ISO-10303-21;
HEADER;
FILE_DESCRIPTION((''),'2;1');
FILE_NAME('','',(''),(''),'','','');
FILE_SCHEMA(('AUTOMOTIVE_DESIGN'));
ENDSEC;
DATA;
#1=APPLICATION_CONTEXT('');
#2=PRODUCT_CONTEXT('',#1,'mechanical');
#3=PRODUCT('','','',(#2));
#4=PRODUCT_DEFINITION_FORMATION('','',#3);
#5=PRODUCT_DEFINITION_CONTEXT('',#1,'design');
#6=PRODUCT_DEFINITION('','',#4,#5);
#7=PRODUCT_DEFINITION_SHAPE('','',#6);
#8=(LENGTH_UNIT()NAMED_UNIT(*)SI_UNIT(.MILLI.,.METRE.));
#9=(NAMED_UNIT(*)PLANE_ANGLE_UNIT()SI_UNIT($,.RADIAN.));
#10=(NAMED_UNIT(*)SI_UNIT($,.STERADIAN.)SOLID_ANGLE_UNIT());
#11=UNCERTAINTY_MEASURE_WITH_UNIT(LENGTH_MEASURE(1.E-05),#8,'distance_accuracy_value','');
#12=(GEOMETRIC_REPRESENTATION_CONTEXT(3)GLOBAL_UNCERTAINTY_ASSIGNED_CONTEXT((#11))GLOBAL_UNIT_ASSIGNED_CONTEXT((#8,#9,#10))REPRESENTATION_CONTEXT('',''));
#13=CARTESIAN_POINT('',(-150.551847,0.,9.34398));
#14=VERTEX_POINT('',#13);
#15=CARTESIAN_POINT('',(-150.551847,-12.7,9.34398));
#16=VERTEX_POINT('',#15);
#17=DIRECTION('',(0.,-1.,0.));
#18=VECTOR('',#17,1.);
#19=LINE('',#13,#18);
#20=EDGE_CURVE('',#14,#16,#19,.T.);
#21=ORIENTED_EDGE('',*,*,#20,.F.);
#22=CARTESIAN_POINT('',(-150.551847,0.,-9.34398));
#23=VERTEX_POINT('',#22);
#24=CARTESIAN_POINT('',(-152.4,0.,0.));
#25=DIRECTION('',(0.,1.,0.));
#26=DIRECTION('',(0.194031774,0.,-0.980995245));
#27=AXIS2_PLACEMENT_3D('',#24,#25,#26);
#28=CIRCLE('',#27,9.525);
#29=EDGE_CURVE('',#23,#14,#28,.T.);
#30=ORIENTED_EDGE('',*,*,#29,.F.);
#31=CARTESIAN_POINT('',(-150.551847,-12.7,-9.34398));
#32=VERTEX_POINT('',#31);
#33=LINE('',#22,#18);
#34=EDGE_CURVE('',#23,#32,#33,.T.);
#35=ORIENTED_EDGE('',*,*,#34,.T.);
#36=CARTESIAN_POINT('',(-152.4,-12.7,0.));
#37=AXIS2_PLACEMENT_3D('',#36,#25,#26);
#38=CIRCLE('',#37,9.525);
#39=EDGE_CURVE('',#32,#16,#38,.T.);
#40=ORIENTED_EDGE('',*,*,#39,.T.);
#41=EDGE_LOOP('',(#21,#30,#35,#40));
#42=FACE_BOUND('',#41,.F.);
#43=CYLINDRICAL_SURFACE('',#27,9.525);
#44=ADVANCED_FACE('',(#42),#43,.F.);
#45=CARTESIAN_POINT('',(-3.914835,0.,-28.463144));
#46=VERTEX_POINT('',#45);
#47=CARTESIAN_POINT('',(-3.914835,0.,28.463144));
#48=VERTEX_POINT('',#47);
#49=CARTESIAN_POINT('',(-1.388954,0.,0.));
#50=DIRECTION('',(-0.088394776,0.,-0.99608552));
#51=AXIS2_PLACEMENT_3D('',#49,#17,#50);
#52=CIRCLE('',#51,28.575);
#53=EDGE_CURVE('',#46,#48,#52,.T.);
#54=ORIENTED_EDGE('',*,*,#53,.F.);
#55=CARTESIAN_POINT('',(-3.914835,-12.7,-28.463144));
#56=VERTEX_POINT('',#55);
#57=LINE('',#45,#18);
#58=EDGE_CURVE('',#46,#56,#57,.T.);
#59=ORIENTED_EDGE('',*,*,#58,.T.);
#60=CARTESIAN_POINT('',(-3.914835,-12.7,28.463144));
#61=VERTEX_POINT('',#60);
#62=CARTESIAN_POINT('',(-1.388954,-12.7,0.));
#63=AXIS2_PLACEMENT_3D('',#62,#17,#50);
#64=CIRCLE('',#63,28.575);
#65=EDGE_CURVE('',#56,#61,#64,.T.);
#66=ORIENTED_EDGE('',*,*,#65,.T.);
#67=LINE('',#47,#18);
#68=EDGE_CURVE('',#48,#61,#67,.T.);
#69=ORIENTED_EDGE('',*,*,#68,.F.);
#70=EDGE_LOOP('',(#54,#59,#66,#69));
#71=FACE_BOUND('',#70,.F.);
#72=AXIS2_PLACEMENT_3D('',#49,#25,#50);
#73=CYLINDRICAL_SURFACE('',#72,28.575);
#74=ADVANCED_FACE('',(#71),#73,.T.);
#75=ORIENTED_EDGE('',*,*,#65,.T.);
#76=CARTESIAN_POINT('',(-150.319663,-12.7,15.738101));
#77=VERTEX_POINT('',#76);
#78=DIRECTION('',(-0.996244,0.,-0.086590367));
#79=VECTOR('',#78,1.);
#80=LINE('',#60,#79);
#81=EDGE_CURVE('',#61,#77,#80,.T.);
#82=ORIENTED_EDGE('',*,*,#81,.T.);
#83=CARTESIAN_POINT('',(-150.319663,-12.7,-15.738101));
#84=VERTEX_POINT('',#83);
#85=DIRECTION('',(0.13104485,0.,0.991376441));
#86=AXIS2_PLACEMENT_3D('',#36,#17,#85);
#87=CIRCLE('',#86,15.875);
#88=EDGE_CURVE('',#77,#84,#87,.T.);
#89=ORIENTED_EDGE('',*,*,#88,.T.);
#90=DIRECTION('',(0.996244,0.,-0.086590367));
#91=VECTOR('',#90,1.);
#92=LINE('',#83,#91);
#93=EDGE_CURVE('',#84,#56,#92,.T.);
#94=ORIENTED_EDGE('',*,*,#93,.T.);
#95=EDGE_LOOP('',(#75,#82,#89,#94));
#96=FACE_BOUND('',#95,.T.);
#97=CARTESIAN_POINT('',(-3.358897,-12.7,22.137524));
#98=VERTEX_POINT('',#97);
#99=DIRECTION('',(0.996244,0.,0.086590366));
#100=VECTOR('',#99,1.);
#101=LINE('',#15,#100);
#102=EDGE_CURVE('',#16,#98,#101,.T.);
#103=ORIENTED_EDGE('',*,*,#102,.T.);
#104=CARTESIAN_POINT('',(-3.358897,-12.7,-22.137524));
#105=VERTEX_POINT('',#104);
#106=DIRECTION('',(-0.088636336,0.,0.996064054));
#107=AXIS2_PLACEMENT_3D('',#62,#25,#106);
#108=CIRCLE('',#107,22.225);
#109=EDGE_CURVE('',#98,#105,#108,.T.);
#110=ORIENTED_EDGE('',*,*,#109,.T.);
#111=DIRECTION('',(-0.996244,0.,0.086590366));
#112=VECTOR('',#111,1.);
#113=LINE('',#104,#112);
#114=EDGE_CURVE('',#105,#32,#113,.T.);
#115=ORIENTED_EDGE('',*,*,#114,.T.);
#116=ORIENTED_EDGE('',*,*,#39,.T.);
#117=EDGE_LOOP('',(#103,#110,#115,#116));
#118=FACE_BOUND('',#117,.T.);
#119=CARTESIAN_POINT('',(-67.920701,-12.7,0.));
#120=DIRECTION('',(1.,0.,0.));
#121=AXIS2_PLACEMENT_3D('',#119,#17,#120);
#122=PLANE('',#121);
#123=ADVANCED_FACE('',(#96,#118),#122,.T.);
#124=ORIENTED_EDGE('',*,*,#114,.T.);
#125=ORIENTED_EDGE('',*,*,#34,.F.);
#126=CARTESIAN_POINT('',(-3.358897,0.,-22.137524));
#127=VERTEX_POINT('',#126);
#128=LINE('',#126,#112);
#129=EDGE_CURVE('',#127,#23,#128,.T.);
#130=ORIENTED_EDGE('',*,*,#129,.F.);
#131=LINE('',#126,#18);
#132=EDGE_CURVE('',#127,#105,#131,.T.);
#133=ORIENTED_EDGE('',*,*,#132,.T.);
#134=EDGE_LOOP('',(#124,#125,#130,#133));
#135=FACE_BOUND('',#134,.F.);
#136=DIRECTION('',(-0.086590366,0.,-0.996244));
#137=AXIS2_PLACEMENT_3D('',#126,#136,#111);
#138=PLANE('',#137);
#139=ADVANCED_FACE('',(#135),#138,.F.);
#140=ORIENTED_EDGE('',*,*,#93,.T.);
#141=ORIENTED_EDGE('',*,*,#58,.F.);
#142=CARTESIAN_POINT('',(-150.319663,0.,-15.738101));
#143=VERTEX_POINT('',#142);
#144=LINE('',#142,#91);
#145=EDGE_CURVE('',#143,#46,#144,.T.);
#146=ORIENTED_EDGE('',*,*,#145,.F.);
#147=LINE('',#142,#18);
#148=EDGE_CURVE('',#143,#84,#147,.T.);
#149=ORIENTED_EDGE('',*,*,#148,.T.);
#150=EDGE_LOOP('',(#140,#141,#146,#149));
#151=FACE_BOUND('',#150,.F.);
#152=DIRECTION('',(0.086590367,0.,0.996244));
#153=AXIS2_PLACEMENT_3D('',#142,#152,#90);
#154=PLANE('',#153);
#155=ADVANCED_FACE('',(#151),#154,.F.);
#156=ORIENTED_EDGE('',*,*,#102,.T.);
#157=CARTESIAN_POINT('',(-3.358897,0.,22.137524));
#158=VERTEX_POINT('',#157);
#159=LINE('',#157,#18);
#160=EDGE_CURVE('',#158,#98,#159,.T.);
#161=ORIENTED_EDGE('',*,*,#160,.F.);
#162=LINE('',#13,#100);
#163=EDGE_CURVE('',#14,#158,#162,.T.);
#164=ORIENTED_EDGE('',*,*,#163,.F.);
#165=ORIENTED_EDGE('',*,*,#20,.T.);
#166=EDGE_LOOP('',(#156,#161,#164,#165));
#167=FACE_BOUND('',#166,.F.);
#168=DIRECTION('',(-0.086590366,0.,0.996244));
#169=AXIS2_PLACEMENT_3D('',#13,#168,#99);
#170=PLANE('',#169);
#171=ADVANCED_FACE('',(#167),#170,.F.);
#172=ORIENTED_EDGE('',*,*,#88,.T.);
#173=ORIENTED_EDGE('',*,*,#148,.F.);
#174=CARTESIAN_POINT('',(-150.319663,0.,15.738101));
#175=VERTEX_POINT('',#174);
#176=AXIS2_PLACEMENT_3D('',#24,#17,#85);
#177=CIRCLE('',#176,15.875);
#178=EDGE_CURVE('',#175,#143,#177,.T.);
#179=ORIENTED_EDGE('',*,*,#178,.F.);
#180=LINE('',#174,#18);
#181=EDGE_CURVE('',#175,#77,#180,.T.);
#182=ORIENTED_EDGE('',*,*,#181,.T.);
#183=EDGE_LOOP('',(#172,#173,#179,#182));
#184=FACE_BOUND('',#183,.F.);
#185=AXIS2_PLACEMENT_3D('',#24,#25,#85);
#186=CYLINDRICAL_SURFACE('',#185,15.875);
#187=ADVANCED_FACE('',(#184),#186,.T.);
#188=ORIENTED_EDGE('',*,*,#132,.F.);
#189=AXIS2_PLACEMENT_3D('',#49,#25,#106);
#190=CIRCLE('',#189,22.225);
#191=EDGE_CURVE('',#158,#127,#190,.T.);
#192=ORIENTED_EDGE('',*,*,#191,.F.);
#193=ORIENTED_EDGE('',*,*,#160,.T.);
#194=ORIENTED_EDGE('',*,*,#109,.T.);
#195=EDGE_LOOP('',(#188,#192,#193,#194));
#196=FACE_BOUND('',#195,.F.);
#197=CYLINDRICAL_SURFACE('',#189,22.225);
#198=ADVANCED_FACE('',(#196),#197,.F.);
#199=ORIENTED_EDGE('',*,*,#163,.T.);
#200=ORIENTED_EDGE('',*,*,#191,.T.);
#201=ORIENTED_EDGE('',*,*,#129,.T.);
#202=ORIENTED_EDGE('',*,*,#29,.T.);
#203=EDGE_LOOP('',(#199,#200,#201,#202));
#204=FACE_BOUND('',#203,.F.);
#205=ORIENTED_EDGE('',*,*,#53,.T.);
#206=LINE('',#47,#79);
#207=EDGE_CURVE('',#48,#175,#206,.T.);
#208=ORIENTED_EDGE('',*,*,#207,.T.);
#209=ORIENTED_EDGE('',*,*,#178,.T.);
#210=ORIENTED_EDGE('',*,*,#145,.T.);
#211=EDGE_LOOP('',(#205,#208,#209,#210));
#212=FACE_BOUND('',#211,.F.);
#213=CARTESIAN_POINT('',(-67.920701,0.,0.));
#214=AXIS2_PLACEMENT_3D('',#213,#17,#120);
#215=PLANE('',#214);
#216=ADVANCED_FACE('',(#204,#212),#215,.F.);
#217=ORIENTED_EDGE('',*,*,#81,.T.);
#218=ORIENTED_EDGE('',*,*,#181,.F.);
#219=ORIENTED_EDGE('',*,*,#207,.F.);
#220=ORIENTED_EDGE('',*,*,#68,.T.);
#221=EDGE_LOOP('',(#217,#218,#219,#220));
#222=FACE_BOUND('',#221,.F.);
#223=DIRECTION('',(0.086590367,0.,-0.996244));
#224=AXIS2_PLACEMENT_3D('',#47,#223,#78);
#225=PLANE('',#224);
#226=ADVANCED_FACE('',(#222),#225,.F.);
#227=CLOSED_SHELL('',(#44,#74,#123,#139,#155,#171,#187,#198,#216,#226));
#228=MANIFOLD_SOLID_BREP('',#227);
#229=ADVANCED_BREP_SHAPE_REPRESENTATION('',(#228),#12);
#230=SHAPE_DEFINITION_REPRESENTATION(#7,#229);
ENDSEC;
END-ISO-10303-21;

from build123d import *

# Parameters (mm, degrees)
F1_DEPTH = 12.7


with BuildPart() as f1:
    # F0 (on Front) → F1 (new body)
    with BuildSketch(Plane.XZ):
        with BuildLine():
            Line((-150.551847, -9.34398), (-3.358897, -22.137524))
            ThreePointArc((-3.358897, -22.137524), (20.836046, 0), (-3.358897, 22.137524))
            Line((-3.358897, 22.137524), (-150.551847, 9.34398))
            ThreePointArc((-150.551847, 9.34398), (-161.925, 0), (-150.551847, -9.34398))
        make_face()
        with BuildLine():
            ThreePointArc((-3.914835, -28.463144), (27.186046, 0), (-3.914835, 28.463144))
            Line((-3.914835, 28.463144), (-150.319663, 15.738101))
            ThreePointArc((-150.319663, 15.738101), (-168.275, 0), (-150.319663, -15.738101))
            Line((-150.319663, -15.738101), (-3.914835, -28.463144))
        make_face()
        with BuildLine():
            ThreePointArc((-3.358897, 22.137524), (20.836046, 0), (-3.358897, -22.137524))
            Line((-3.358897, -22.137524), (-150.551847, -9.34398))
            ThreePointArc((-150.551847, -9.34398), (-161.925, 0), (-150.551847, 9.34398))
            Line((-150.551847, 9.34398), (-3.358897, 22.137524))
        make_face(mode=Mode.SUBTRACT)
    extrude(amount=F1_DEPTH)


solid = f1.part
